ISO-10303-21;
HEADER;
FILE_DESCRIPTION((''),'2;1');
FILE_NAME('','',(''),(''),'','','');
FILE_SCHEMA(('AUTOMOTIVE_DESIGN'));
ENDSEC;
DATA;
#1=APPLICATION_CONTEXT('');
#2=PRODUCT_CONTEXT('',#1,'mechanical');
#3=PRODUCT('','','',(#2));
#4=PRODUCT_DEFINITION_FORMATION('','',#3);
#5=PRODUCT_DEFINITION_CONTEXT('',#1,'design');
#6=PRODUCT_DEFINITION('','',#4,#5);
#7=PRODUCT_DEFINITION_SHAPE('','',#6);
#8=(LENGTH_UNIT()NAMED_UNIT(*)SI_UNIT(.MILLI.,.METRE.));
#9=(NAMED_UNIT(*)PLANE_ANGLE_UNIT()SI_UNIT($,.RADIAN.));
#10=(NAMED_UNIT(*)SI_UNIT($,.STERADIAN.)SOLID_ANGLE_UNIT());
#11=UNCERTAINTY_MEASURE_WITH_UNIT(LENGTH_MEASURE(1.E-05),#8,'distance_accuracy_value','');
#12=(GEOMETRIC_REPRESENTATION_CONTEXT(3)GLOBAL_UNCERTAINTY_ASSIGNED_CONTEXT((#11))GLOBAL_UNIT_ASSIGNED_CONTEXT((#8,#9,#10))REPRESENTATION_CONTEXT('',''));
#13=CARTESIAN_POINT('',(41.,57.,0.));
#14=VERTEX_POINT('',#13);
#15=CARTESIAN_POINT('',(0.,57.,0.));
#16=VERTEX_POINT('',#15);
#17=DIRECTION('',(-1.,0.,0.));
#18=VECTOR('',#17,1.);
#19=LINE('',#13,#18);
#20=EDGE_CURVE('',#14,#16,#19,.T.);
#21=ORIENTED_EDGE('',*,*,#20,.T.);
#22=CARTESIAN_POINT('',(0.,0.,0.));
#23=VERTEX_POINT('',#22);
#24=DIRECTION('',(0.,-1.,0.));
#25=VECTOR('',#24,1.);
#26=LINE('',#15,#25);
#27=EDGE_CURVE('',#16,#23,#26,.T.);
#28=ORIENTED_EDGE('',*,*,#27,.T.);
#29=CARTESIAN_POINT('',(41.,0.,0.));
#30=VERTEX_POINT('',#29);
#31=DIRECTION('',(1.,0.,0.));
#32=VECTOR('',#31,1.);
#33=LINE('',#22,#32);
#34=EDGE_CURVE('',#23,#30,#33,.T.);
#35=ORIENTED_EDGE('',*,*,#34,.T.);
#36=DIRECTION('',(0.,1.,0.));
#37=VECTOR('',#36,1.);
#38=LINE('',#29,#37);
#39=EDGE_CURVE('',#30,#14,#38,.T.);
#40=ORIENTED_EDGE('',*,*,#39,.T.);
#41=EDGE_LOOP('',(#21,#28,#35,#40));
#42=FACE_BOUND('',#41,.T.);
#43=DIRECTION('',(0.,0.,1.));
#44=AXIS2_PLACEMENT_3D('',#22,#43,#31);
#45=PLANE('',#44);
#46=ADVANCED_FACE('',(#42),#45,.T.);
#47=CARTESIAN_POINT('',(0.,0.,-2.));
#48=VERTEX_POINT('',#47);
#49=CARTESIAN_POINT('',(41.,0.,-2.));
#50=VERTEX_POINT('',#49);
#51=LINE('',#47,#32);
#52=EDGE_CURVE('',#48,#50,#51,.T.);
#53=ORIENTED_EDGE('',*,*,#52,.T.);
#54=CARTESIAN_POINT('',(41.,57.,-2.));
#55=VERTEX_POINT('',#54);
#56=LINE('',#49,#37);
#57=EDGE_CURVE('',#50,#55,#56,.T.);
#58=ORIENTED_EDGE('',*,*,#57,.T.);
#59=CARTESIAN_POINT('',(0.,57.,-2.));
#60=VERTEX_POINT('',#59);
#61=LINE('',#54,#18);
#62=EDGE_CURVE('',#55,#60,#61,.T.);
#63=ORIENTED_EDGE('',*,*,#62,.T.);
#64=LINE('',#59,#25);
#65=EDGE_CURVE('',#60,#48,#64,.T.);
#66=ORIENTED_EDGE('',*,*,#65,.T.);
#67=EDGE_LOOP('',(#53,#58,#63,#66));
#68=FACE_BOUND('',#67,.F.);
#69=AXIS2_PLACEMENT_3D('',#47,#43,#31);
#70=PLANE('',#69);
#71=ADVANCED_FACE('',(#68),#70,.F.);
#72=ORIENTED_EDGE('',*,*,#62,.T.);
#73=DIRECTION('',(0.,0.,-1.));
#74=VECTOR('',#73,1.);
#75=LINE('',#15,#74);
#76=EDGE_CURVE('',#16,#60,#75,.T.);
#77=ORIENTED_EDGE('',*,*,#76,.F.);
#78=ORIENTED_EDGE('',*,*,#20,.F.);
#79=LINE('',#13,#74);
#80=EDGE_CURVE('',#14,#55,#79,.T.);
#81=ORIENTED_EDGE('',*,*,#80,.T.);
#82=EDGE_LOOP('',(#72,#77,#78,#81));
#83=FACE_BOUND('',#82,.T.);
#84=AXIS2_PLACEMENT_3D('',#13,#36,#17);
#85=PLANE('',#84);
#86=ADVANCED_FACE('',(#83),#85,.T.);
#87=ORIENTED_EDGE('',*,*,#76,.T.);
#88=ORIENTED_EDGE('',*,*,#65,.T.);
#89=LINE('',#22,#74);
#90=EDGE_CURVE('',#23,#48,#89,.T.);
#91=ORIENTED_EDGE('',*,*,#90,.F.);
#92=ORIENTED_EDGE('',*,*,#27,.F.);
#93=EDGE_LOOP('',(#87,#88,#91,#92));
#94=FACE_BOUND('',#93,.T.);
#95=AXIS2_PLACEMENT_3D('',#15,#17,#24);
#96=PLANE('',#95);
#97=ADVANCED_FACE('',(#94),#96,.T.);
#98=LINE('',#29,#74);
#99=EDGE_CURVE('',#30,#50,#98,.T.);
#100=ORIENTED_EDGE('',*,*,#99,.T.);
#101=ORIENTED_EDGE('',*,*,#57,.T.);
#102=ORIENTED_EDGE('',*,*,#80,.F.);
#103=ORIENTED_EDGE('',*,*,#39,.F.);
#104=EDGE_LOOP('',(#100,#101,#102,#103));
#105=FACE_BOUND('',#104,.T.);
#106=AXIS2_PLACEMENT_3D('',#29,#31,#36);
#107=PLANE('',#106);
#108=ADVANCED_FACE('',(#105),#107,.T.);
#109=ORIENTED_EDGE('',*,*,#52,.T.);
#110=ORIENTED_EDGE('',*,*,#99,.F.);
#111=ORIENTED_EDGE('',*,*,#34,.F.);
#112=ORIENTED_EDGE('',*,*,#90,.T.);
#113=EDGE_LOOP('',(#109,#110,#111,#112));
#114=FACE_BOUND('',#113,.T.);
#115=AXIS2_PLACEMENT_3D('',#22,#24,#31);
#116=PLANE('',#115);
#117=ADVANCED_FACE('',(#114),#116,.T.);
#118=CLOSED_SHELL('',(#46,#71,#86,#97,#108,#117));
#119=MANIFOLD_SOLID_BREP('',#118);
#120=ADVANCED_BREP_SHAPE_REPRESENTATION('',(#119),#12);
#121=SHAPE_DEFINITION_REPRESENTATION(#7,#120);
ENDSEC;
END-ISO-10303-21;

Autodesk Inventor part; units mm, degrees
ref_plane "YZ Plane" through (0, 0, 0) normal (1, 0, 0) x (0, 1, 0)
ref_plane "XZ Plane" through (0, 0, 0) normal (0, 1, 0) x (-1, 0, 0)
ref_plane "XY Plane" through (0, 0, 0) normal (0, 0, 1) x (1, 0, 0)
sketch "Sketch1" plane through (0, 0, 0) normal (0, 0, 1) x (1, 0, 0)
  line L0 (0, 0) -> (41, 0)
  line L1 (41, 0) -> (41, 57)
  line L2 (41, 57) -> (0, 57)
  line L3 (0, 57) -> (0, 0)
  line L4 (40.9471, 56.5933) -> (40.9471, -0.0129) construction
  line L5 (40.9471, -0.0129) -> (0.1741, -0.0129) construction
  line L6 (0.1741, -0.0129) -> (0.1741, 56.5933) construction
  line L7 (0.1741, 56.5933) -> (40.9471, 56.5933) construction
  dimension "d0" = 41
  dimension "d1" = 57
extrude "Extrusion2" add sketch "Sketch1" against normal blind 2
decal "Decal1"
properties part number "BQ24600 PCB Mockup"
